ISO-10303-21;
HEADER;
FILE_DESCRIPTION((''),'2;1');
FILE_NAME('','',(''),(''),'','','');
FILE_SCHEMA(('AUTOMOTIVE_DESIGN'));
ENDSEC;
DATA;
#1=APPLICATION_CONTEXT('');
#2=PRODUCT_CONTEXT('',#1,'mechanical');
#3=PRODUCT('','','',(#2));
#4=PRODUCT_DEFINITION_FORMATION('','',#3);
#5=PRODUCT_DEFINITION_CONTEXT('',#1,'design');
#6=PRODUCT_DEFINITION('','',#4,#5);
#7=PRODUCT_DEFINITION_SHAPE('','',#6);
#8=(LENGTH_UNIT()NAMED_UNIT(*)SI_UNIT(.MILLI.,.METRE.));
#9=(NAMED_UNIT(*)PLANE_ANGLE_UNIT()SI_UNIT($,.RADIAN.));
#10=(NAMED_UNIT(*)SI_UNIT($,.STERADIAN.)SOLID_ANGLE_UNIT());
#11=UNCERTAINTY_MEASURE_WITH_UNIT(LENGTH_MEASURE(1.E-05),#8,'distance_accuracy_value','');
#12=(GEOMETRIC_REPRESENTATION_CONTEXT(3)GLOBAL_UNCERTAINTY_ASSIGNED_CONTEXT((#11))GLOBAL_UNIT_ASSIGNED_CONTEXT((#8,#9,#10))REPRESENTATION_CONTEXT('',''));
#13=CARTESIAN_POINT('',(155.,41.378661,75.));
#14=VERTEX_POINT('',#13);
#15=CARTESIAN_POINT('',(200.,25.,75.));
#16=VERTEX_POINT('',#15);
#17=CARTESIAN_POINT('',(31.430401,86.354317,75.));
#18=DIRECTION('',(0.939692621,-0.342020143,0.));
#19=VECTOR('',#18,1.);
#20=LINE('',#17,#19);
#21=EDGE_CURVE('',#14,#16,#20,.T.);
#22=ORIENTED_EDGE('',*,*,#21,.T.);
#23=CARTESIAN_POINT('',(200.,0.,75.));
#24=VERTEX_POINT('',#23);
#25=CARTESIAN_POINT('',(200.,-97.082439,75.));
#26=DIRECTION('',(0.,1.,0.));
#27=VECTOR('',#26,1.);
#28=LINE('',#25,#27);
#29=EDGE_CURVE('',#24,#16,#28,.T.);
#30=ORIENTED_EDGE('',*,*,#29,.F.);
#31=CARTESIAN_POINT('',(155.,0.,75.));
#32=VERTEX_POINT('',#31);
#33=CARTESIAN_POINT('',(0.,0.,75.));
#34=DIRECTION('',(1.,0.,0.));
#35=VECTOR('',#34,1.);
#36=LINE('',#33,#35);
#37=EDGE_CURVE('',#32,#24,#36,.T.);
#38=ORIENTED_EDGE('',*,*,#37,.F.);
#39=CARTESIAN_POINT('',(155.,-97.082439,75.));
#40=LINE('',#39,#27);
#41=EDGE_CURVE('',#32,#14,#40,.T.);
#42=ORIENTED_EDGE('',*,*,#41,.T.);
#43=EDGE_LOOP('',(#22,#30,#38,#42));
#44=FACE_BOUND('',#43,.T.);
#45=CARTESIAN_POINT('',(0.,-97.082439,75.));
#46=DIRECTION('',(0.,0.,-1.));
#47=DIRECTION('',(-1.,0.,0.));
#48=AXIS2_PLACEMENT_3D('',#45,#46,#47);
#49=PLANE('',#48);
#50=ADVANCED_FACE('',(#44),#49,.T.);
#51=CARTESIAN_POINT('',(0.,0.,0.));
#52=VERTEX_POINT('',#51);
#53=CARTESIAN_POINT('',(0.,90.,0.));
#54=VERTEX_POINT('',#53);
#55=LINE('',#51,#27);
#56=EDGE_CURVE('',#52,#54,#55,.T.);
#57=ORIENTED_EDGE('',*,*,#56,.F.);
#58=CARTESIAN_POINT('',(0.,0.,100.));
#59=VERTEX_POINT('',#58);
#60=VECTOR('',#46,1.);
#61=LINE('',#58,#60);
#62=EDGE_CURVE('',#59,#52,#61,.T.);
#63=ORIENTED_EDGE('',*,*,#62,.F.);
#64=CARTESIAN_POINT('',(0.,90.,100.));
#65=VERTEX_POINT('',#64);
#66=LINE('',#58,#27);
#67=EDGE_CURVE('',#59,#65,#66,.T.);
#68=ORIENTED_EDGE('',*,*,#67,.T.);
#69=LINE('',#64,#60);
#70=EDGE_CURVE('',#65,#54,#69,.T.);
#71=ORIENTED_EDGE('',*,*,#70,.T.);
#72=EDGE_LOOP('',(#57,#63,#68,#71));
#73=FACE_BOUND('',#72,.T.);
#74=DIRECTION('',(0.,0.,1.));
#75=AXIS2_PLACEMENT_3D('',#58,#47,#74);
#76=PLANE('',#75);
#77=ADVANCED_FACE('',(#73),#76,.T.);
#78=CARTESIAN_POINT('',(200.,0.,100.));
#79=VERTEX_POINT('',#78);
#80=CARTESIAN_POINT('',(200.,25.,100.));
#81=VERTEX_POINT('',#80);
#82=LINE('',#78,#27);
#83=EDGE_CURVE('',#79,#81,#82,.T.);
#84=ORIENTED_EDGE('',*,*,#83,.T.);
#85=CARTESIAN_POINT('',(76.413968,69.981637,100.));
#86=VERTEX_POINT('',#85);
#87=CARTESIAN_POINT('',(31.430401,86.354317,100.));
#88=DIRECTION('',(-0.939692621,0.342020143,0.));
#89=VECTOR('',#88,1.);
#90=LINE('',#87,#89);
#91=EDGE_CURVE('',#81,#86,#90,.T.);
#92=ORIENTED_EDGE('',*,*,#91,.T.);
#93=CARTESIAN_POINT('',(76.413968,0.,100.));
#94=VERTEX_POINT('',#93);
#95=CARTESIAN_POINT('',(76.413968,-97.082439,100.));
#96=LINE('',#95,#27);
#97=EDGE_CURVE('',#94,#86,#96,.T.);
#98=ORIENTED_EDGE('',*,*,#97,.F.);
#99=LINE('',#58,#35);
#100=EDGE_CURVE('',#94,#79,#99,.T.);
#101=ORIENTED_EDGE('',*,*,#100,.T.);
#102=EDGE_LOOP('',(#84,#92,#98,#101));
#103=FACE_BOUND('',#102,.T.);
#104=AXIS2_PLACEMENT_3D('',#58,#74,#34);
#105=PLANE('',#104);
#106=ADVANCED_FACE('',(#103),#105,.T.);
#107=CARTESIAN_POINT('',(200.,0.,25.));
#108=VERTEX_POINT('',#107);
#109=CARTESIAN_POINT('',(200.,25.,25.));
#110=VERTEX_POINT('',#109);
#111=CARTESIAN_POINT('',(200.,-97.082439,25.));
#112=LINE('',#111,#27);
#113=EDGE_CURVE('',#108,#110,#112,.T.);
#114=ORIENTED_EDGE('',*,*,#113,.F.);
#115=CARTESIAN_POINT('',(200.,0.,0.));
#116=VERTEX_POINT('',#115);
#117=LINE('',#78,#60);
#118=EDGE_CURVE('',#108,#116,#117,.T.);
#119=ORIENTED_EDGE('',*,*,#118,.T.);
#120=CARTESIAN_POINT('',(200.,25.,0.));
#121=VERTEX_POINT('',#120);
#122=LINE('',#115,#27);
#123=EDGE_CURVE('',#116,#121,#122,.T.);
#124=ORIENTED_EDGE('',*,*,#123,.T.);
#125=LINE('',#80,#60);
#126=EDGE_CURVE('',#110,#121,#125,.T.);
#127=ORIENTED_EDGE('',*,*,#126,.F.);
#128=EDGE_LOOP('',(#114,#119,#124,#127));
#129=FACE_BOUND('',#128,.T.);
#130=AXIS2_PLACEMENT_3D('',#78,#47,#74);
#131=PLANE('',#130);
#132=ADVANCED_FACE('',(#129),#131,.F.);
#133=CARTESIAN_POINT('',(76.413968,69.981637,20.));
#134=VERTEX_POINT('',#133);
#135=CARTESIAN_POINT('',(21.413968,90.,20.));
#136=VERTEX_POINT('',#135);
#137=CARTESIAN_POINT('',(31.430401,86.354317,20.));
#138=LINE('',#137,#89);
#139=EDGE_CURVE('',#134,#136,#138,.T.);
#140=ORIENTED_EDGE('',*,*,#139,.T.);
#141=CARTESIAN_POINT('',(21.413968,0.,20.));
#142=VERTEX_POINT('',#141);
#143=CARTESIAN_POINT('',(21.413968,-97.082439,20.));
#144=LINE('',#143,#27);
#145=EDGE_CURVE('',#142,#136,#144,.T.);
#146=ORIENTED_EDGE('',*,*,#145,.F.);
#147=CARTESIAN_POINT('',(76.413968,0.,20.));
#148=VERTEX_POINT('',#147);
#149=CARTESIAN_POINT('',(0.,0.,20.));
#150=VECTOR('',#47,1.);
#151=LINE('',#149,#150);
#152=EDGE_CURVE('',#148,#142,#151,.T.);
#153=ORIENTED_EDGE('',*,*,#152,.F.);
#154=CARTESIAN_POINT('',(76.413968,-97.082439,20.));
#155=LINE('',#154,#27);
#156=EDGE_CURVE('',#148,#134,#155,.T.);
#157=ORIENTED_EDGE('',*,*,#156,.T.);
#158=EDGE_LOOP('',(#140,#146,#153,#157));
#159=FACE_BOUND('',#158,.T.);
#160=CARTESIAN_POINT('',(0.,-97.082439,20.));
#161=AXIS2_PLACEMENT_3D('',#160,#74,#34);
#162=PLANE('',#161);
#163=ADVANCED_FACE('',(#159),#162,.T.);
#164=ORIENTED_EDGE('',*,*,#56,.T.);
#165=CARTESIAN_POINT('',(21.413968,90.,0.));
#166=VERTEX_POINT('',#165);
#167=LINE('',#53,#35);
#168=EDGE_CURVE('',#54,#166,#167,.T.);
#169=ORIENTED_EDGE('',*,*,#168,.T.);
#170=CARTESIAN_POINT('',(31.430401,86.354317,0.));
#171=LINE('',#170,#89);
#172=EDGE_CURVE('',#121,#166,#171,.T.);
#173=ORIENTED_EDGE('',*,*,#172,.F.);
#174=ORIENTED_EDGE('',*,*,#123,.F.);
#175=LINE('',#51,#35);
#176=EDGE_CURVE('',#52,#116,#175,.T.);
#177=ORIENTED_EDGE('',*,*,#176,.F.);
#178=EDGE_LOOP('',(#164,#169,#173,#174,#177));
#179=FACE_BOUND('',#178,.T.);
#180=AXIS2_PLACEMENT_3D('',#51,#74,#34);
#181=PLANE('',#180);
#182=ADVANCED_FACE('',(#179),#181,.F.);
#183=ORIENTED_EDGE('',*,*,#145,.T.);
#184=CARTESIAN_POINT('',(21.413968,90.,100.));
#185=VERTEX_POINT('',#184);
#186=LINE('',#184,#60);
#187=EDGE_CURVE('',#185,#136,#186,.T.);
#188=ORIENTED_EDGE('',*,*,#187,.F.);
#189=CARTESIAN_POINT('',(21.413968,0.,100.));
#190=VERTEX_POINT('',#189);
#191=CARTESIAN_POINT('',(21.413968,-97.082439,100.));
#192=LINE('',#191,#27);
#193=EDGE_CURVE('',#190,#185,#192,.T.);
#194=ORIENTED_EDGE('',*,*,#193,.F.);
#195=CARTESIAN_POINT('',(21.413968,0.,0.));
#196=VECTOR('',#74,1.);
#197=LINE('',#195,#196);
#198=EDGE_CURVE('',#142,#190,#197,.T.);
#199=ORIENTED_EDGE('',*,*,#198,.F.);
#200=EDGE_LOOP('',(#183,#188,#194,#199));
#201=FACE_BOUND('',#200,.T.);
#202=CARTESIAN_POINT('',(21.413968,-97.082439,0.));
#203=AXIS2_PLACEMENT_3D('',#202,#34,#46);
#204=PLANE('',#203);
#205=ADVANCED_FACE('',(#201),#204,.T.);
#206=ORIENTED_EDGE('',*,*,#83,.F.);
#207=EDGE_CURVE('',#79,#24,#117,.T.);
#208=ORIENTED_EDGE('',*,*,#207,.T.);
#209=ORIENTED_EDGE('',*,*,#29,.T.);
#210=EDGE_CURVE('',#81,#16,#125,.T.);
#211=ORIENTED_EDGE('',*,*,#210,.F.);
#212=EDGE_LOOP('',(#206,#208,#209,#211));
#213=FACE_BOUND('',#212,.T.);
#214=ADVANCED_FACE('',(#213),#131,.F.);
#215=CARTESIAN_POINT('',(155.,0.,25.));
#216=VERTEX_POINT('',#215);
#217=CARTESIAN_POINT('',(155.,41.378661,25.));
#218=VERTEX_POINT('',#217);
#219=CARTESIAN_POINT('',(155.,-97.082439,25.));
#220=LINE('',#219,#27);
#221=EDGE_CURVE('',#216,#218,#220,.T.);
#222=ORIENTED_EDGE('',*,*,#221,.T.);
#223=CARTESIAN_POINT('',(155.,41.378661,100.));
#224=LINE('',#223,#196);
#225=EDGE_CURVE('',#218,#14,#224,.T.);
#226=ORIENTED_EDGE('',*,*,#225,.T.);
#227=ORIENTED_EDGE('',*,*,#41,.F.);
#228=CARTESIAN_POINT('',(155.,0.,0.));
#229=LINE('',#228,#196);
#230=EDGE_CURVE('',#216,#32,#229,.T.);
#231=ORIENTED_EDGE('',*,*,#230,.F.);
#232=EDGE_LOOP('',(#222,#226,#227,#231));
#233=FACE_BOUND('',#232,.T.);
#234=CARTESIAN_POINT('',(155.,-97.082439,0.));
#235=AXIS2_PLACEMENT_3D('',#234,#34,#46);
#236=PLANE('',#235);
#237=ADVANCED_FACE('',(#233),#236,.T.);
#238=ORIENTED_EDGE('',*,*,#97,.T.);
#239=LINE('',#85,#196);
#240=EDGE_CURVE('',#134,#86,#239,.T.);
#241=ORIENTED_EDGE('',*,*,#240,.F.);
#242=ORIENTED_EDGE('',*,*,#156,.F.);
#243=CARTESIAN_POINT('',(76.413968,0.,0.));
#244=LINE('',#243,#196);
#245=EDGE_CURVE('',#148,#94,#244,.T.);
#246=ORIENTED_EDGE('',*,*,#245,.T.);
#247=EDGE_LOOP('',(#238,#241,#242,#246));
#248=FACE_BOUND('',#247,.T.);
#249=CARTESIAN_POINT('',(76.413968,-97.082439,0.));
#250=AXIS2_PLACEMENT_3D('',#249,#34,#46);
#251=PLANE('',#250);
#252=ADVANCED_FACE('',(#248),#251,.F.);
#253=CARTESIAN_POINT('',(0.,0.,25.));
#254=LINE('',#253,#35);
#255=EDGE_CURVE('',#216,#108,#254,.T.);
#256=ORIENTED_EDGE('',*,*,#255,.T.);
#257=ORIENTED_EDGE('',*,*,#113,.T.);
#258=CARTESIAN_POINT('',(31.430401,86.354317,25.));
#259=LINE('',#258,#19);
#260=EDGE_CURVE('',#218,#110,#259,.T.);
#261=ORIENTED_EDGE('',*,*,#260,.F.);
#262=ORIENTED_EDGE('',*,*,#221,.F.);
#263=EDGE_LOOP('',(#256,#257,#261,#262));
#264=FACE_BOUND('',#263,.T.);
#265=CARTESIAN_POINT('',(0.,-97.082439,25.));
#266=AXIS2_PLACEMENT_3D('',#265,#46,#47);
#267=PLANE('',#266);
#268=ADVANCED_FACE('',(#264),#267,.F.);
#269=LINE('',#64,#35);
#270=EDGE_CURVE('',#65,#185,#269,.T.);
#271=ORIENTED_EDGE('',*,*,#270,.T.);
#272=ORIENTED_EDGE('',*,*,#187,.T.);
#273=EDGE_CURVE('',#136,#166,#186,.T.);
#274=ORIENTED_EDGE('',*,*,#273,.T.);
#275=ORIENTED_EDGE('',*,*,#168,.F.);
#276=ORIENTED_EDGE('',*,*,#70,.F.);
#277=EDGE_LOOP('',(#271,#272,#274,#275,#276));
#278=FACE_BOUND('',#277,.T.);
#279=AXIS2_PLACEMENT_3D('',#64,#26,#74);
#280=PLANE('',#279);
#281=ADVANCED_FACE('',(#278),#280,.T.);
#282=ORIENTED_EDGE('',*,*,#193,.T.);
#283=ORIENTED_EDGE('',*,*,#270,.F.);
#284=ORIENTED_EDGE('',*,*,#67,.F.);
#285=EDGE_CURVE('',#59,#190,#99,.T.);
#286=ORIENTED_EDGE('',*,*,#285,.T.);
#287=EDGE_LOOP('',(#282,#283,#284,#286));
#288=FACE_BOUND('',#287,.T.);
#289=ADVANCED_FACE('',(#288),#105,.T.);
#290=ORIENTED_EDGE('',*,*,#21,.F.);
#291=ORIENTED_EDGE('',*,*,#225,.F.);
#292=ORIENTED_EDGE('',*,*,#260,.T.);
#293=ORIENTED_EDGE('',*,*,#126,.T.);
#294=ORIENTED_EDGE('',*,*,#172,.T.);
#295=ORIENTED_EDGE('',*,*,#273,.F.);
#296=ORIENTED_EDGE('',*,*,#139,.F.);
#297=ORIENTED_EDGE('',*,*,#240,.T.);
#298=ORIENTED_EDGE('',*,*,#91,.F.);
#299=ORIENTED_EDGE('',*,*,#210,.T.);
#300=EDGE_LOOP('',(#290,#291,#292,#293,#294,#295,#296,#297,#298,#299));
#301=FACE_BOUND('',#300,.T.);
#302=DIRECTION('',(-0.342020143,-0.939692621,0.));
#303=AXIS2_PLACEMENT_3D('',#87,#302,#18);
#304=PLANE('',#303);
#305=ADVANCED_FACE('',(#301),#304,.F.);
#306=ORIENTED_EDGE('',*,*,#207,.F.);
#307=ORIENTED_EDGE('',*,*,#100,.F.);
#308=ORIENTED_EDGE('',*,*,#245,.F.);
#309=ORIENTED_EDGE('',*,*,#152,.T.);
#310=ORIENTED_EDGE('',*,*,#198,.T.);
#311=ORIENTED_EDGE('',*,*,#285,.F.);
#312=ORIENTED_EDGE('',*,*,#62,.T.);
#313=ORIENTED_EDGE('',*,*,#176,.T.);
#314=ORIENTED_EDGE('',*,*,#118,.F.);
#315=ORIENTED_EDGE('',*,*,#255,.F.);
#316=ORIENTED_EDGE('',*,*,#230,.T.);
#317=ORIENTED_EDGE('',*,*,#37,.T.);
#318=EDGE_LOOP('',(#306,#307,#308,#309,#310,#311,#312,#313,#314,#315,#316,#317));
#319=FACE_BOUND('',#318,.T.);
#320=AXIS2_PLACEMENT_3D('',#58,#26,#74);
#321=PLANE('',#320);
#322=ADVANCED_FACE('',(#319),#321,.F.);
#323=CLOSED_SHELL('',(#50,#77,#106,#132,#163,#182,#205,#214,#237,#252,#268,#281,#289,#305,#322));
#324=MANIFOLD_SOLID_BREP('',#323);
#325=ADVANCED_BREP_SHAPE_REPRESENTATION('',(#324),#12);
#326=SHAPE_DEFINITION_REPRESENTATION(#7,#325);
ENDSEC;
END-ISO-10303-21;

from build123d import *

# Parameters (mm, degrees)
SKETCH1_W           = 21.413967735
SKETCH1_H           = 90
BOSS_EXTRUDE1_DEPTH = 100
CUT_EXTRUDE1_REACH  = 243.039
SKETCH2_W           = 55
SKETCH2_H           = 80
SKETCH2_W_2         = 45
SKETCH2_H_2         = 25


with BuildPart() as part:
    # Sketch1 → Boss-Extrude1 (new body)
    with BuildSketch(Plane.XY):
        with Locations((10.706983867, 45)):
            Rectangle(SKETCH1_W, SKETCH1_H)
        Polygon((200, 0), (200, 25), (21.413967735, 90), (21.413967735, 0), align=None)
    extrude(amount=BOSS_EXTRUDE1_DEPTH)

    # Cut-Extrude1: up to this face of the body (flat: up to its plane)
    cut_extrude1_end = Plane(part.part.faces().sort_by_distance((100, 0, 50))[0])
    # Sketch2 → Cut-Extrude1 (cut, up to the picked face)
    with BuildSketch(Plane(origin=(0, 90, 0), x_dir=(1, 0, 0), z_dir=(0, 1, 0)), mode=Mode.PRIVATE) as cut_extrude1_sk1:
        with Locations((48.913967735, -60)):
            Rectangle(SKETCH2_W, SKETCH2_H)
    cut_extrude1_tool1 = split(extrude(cut_extrude1_sk1.sketch, amount=-CUT_EXTRUDE1_REACH, mode=Mode.PRIVATE), bisect_by=cut_extrude1_end, keep=Keep.BOTH, mode=Mode.PRIVATE)
    # Sketch2 → Cut-Extrude1 (cut, up to the picked face)
    with BuildSketch(Plane(origin=(0, 90, 0), x_dir=(1, 0, 0), z_dir=(0, 1, 0)), mode=Mode.PRIVATE) as cut_extrude1_sk2:
        with Locations((177.5, -37.5)):
            Rectangle(SKETCH2_W_2, SKETCH2_H_2)
    cut_extrude1_tool2 = split(extrude(cut_extrude1_sk2.sketch, amount=-CUT_EXTRUDE1_REACH, mode=Mode.PRIVATE), bisect_by=cut_extrude1_end, keep=Keep.BOTH, mode=Mode.PRIVATE)
    # Sketch2 → Cut-Extrude1 (cut, up to the picked face)
    with BuildSketch(Plane(origin=(0, 90, 0), x_dir=(1, 0, 0), z_dir=(0, 1, 0)), mode=Mode.PRIVATE) as cut_extrude1_sk3:
        with Locations((177.5, -62.5)):
            Rectangle(SKETCH2_W_2, SKETCH2_H_2)
    cut_extrude1_tool3 = split(extrude(cut_extrude1_sk3.sketch, amount=-CUT_EXTRUDE1_REACH, mode=Mode.PRIVATE), bisect_by=cut_extrude1_end, keep=Keep.BOTH, mode=Mode.PRIVATE)
    add(cut_extrude1_tool1.solids().sort_by(Axis((48.913968, 90, 60), (0, -1, 0)))[0], mode=Mode.SUBTRACT)
    add(cut_extrude1_tool2.solids().sort_by(Axis((177.5, 90, 37.5), (0, -1, 0)))[0], mode=Mode.SUBTRACT)
    add(cut_extrude1_tool3.solids().sort_by(Axis((177.5, 90, 62.5), (0, -1, 0)))[0], mode=Mode.SUBTRACT)


solid = part.part
